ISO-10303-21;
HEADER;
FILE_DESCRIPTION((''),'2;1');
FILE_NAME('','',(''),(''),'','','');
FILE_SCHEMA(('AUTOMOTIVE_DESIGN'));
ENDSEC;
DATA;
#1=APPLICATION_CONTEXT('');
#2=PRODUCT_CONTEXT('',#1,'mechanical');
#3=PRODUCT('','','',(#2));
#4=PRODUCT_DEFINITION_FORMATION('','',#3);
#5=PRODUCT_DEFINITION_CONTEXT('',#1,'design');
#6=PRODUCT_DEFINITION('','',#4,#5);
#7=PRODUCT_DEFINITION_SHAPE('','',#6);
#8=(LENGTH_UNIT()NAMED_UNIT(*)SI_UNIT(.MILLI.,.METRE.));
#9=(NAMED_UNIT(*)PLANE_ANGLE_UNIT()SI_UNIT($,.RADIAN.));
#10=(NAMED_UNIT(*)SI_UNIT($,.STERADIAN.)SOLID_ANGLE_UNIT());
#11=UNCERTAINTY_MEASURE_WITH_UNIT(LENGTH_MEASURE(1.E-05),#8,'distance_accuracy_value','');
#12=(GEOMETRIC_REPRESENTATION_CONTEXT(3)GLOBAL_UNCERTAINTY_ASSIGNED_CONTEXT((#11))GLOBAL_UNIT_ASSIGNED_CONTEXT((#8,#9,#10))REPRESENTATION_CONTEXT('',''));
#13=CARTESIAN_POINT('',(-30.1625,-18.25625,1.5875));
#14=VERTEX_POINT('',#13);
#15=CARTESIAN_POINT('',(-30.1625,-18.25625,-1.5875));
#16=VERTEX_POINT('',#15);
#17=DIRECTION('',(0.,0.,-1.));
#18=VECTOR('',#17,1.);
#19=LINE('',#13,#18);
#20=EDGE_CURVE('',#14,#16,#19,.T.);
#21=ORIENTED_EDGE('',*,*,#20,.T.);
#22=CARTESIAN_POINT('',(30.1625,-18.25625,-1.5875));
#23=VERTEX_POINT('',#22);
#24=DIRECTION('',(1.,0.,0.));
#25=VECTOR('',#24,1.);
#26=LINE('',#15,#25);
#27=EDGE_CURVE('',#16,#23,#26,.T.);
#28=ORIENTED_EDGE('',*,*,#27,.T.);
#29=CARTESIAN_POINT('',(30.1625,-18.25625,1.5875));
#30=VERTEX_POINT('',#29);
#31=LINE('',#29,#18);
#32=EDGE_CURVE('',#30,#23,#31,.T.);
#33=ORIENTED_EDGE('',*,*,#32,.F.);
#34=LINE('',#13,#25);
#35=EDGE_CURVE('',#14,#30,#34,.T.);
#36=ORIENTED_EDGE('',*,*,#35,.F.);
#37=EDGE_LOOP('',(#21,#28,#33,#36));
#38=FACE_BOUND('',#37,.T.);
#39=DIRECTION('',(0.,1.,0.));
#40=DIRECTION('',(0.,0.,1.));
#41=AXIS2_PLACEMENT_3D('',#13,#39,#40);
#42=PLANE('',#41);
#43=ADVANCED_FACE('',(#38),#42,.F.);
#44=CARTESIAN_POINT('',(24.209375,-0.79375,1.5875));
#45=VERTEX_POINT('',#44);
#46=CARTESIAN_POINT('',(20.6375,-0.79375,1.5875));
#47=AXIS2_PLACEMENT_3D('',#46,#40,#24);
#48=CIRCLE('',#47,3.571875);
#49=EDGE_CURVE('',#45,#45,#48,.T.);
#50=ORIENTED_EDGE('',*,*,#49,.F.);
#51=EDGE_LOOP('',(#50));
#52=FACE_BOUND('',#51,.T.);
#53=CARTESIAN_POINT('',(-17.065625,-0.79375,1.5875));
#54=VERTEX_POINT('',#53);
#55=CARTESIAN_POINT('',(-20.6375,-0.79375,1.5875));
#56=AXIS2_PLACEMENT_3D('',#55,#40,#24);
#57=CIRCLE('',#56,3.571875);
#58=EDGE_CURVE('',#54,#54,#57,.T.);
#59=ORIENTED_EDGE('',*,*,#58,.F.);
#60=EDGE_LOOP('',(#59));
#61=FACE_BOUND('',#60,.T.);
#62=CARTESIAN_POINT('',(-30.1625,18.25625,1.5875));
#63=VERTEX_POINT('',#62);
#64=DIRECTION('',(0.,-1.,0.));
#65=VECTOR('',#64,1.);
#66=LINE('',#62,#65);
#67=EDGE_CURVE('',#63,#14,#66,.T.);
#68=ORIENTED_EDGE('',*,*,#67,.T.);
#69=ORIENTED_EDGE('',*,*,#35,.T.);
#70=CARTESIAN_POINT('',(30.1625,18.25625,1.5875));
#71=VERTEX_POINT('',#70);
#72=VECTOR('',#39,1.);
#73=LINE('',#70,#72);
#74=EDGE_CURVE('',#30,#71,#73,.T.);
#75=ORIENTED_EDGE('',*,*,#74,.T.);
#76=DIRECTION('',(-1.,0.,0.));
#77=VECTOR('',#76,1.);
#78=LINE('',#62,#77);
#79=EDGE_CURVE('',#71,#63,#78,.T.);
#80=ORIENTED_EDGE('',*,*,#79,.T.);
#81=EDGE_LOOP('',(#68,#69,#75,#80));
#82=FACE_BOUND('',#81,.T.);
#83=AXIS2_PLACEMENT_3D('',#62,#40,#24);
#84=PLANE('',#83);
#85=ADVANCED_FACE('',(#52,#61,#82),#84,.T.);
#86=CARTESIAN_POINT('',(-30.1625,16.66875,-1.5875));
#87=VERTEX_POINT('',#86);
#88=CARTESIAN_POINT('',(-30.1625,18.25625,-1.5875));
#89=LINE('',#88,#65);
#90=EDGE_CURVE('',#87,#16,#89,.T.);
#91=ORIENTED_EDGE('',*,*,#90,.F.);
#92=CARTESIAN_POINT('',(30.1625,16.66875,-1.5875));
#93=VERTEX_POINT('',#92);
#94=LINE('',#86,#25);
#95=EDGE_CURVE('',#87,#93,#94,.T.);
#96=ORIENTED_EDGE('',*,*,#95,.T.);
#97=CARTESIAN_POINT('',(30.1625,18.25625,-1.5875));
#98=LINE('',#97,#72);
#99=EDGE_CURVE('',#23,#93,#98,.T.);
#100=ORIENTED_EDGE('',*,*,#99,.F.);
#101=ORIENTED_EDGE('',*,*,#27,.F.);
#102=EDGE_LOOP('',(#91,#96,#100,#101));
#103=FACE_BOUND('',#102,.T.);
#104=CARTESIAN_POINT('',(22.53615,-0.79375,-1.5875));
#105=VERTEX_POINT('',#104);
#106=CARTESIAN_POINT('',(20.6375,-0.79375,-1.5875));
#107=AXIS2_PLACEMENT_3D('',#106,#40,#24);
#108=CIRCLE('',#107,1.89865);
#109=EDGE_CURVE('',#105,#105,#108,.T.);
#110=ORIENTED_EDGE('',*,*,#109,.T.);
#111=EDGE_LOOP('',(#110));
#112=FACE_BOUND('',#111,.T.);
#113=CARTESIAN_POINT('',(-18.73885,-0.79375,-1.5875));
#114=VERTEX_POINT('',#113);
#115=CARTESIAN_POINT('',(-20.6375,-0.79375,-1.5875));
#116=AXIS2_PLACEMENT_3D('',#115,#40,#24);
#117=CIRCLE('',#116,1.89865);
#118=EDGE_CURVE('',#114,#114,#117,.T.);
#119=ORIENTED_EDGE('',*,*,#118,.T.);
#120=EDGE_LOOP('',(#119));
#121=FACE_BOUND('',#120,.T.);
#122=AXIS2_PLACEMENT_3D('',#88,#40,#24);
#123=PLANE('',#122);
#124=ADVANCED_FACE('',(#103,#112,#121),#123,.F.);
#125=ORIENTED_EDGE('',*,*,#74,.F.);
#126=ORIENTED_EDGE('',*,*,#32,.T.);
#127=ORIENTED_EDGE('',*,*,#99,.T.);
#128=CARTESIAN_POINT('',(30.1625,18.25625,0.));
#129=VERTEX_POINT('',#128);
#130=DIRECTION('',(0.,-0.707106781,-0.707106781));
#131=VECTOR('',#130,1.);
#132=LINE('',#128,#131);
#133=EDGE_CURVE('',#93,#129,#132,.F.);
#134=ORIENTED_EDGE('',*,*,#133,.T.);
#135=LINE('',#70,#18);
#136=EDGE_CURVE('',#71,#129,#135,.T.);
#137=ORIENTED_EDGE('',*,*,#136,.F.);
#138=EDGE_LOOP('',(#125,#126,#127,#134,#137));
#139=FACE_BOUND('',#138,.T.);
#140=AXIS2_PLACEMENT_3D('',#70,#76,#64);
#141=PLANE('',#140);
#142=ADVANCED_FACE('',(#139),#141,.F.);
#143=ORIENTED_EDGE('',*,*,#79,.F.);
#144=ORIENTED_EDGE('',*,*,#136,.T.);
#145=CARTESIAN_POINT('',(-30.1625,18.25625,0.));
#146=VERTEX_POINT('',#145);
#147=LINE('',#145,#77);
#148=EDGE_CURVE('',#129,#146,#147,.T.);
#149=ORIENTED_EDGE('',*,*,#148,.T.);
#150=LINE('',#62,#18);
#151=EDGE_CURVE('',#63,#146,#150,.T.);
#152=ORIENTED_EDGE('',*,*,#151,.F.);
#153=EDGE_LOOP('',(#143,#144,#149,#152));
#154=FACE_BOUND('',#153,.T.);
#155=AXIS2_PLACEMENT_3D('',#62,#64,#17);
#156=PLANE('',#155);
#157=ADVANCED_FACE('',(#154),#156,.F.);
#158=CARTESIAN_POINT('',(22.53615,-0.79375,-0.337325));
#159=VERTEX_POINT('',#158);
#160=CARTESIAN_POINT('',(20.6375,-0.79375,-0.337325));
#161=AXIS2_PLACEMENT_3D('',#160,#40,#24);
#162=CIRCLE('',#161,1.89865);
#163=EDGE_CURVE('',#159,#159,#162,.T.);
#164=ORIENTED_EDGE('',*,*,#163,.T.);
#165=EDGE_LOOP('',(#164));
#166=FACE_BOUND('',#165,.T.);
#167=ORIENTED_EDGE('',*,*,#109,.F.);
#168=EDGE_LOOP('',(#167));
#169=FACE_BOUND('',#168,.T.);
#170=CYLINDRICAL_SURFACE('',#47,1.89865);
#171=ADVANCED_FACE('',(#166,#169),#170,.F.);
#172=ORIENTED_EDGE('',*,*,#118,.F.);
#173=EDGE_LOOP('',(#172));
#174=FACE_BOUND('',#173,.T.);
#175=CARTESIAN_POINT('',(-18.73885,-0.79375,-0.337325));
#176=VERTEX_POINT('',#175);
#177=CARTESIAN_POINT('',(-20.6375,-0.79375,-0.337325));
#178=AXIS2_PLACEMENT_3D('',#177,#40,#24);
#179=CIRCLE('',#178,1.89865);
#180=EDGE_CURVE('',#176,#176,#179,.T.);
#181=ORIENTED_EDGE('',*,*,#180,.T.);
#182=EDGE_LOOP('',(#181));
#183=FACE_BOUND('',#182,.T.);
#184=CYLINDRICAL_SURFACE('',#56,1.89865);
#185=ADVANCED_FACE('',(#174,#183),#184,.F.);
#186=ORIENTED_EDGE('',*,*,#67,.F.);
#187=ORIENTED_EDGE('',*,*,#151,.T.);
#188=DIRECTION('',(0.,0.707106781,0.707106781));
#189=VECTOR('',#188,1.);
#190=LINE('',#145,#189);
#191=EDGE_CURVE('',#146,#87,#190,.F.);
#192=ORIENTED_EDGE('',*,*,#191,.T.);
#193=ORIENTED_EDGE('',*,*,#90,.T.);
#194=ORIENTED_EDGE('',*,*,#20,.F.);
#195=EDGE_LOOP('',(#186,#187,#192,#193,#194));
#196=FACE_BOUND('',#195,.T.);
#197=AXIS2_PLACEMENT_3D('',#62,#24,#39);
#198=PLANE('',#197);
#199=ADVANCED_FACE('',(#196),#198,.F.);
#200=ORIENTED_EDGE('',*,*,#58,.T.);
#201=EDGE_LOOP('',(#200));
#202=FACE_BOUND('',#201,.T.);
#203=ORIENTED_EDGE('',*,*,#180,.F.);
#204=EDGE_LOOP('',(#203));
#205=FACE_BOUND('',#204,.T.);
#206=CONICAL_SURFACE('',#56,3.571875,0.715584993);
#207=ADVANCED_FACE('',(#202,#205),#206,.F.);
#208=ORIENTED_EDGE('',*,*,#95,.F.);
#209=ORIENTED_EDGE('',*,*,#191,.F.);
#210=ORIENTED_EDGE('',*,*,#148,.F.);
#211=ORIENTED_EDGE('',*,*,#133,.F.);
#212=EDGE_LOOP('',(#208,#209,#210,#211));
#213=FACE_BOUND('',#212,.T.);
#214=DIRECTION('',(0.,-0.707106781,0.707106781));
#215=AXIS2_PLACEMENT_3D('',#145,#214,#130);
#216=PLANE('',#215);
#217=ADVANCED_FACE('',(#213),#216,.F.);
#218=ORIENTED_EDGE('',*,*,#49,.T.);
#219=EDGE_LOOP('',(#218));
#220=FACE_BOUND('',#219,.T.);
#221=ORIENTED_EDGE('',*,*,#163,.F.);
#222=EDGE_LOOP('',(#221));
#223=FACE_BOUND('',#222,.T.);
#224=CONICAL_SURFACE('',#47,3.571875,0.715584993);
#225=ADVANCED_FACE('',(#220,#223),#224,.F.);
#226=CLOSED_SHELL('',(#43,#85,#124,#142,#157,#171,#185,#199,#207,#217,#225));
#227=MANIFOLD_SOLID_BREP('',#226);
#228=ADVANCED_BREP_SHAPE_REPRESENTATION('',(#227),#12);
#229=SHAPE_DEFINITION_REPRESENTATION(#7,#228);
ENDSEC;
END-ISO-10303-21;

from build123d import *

# Parameters (mm, degrees)
SKETCH1_W                       = 60.325
SKETCH1_H                       = 36.5125
EXTRUDE1_DEPTH                  = 1.5875
CHAMFER1_SIZE                   = 1.5875
F_6_CLEARANCE_HOLE1_D           = 3.7973
F_6_CLEARANCE_HOLE1_DEPTH       = 25.4
F_6_CLEARANCE_HOLE1_CSINK_D     = 7.14375
F_6_CLEARANCE_HOLE1_CSINK_ANGLE = 82
F_6_CLEARANCE_HOLE1_TIP         = 1.140824014


with BuildPart() as part:
    # Sketch1 → Extrude1 (new body, symmetric)
    with BuildSketch(Plane.XY):
        Rectangle(SKETCH1_W, SKETCH1_H)
    extrude(amount=EXTRUDE1_DEPTH, both=True)

    # Chamfer1
    chamfer1_edges = [part.edges().sort_by_distance(p)[0] for p in [
        (0, 18.25625, -1.5875),
    ]]
    chamfer(chamfer1_edges, length=CHAMFER1_SIZE)

    # #6 Clearance Hole1
    with Locations(Plane(origin=(-20.6375, -0.79375, 1.5875), x_dir=(1, 0, 0), z_dir=(0, 0, 1))):
        with Locations((0, 0), (41.275, 0)):
            CounterSinkHole(F_6_CLEARANCE_HOLE1_D / 2, F_6_CLEARANCE_HOLE1_CSINK_D / 2, depth=F_6_CLEARANCE_HOLE1_DEPTH, counter_sink_angle=F_6_CLEARANCE_HOLE1_CSINK_ANGLE)
            with Locations((0, 0, -(F_6_CLEARANCE_HOLE1_DEPTH + F_6_CLEARANCE_HOLE1_TIP / 2))):  # 118° drill point
                Cone(0, F_6_CLEARANCE_HOLE1_D / 2, F_6_CLEARANCE_HOLE1_TIP, mode=Mode.SUBTRACT)


solid = part.part
